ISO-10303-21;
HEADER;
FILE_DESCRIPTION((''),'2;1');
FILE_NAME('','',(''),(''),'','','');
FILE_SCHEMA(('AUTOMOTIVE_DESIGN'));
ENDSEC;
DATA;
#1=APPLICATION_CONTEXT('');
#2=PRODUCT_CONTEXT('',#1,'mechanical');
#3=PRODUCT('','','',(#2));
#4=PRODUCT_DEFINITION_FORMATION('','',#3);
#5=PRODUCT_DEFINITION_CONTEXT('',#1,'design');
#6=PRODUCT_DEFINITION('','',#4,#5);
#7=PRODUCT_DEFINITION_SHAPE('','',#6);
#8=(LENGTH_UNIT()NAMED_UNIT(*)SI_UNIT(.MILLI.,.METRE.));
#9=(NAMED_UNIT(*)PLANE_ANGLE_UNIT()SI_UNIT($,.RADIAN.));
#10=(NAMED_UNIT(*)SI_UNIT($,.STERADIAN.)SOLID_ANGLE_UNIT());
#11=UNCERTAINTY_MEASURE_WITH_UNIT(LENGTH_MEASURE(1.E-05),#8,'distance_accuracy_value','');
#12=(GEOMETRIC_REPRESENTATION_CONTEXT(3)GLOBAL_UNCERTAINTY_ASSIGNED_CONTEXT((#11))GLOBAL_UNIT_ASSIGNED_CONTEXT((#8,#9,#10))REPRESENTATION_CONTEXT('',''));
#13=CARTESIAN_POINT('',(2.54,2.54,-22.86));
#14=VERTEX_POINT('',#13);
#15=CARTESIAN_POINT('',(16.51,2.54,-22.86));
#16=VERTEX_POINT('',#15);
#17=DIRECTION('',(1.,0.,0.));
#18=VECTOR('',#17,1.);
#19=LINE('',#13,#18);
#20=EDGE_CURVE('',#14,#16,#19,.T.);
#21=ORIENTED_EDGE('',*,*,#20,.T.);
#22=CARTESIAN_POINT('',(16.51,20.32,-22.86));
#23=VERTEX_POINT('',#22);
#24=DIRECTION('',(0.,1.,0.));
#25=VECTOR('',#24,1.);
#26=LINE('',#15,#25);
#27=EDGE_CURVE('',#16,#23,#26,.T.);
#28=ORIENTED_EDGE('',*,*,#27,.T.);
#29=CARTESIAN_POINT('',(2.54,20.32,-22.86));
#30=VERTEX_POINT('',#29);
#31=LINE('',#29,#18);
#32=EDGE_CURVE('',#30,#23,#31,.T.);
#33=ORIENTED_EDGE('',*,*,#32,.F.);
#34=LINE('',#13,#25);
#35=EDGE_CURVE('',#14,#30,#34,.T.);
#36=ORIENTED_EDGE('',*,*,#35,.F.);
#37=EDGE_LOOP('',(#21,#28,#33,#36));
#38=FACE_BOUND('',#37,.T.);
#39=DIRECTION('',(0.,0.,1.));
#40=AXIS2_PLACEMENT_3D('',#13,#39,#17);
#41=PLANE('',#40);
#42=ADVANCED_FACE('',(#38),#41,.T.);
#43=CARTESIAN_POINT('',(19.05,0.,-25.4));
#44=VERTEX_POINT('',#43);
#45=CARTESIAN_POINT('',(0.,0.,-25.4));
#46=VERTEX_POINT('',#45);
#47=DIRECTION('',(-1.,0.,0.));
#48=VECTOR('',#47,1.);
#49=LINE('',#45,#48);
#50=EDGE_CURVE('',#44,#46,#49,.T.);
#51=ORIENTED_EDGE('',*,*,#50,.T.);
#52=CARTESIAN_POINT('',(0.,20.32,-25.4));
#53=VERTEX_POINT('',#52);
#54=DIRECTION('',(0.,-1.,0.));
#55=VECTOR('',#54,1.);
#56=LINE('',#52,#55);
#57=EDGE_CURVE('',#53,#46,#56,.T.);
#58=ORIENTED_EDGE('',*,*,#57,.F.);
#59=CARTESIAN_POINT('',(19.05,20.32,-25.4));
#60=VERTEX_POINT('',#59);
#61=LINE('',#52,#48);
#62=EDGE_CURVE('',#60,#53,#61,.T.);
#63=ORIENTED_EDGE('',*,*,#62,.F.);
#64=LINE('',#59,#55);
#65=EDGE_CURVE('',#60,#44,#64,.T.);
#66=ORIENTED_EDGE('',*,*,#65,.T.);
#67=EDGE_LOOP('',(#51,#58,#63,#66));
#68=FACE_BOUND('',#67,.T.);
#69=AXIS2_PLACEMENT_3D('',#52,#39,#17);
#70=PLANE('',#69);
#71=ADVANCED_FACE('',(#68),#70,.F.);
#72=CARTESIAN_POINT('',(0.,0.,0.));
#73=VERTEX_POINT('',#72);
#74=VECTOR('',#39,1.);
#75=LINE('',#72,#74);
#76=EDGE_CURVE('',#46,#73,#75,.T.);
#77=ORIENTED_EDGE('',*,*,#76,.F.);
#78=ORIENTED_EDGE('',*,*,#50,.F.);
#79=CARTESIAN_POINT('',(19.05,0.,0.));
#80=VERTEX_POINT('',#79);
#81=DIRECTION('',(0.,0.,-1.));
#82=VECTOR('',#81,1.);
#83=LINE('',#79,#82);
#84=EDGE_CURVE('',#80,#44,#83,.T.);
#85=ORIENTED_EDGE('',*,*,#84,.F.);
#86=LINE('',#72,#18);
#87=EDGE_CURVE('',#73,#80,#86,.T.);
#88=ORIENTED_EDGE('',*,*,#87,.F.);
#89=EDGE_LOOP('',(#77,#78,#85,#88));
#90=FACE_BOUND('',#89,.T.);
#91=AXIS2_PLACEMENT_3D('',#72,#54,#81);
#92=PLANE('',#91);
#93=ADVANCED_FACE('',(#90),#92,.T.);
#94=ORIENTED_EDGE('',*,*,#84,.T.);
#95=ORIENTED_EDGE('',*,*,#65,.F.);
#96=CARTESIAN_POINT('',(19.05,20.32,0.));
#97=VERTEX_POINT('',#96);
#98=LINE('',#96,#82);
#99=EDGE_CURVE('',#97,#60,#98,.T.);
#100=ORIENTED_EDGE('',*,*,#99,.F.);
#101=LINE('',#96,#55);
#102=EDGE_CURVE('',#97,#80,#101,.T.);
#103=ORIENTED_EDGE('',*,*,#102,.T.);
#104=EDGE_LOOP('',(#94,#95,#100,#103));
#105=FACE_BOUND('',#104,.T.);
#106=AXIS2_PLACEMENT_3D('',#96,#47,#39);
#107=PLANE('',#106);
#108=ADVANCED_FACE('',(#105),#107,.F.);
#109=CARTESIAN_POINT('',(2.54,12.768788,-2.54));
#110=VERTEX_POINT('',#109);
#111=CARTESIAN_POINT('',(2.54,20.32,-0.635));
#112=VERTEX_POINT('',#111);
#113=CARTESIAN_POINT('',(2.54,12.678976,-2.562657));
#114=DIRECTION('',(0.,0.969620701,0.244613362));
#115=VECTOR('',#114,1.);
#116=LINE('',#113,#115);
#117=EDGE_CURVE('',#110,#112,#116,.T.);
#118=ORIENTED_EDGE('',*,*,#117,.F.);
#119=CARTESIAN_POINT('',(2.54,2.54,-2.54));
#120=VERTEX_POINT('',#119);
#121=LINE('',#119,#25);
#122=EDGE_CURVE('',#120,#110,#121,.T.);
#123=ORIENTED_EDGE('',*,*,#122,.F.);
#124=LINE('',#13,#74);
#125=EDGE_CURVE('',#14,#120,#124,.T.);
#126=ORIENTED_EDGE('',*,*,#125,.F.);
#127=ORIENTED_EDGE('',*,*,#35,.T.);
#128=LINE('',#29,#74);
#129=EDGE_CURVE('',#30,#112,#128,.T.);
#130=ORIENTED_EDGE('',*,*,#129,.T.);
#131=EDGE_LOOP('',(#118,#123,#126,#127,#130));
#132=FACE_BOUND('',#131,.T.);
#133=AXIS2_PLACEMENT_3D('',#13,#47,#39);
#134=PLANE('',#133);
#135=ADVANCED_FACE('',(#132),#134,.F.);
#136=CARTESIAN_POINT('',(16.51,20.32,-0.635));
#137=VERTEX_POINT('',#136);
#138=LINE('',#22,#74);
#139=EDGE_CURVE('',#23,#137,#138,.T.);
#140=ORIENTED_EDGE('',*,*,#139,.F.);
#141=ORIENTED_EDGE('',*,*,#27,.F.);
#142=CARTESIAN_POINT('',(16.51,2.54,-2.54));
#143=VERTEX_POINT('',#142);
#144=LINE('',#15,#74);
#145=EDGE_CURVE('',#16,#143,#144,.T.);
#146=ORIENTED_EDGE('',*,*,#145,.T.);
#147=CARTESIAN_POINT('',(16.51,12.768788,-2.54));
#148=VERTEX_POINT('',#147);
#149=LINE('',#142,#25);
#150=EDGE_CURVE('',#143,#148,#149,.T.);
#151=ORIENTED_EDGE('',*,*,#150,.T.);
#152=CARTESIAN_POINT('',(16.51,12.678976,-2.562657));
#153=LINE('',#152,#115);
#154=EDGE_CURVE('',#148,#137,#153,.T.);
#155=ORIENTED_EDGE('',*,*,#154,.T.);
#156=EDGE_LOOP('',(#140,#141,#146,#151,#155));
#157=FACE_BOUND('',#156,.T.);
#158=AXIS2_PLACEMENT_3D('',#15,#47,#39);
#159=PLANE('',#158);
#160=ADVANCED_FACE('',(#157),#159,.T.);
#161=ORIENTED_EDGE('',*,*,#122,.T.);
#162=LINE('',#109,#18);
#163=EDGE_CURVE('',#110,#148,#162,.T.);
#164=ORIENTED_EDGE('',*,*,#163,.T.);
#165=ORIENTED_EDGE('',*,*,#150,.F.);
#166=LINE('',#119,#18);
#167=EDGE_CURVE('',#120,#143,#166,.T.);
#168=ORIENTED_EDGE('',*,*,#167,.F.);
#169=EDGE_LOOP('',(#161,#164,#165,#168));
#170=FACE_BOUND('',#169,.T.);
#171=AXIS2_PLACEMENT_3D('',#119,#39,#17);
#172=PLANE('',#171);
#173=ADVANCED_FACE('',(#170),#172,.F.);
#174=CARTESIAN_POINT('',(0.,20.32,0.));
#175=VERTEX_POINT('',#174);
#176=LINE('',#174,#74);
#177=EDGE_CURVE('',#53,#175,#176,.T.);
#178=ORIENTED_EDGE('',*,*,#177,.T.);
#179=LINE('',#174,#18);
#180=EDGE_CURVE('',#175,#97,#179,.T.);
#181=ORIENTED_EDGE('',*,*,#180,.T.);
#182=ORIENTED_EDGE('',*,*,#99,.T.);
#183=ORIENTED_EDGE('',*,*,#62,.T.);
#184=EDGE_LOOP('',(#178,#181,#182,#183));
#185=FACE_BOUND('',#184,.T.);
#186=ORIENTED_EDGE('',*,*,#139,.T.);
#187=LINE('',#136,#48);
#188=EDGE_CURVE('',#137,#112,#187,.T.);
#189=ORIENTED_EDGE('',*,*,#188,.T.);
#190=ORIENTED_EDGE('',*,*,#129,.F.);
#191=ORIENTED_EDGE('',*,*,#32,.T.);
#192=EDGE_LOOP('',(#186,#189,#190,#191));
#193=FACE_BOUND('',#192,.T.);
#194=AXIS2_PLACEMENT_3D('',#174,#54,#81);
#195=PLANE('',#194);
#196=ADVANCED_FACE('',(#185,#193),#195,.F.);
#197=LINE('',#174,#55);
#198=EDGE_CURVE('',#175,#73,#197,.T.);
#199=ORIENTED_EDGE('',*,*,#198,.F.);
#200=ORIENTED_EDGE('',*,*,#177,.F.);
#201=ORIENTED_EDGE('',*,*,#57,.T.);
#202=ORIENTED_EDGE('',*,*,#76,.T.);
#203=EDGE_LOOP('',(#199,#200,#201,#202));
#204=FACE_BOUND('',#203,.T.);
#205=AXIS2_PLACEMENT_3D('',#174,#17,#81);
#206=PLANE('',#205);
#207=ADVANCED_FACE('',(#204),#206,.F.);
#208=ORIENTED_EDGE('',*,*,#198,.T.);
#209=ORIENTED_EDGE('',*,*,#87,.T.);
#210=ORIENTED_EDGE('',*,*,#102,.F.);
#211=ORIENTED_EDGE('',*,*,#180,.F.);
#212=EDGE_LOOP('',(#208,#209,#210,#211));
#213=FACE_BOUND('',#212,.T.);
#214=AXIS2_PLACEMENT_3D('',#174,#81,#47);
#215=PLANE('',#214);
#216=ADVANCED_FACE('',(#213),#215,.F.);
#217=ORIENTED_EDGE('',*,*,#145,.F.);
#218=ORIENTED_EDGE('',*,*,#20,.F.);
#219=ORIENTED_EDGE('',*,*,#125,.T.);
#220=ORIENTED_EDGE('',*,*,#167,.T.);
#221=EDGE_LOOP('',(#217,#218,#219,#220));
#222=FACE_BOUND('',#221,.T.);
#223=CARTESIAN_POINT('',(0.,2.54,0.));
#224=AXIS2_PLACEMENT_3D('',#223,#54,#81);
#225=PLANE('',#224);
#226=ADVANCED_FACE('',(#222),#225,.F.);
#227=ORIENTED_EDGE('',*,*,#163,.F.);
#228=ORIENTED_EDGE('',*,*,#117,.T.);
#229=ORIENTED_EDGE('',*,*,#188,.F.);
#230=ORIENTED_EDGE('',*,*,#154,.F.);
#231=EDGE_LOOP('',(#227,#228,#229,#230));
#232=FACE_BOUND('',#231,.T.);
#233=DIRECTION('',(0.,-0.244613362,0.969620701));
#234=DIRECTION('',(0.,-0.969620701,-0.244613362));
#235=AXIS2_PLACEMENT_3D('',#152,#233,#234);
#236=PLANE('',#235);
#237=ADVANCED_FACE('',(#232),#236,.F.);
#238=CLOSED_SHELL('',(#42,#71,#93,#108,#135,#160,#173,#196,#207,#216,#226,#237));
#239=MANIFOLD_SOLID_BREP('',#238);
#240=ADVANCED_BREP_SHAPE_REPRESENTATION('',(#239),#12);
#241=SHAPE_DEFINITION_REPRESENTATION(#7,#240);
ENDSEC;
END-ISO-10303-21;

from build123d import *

# Parameters (mm, degrees)
SKETCH3_W           = 19.05
SKETCH3_H           = 25.4
BOSS_EXTRUDE1_DEPTH = 20.32
SKETCH4_W           = 13.97
SKETCH4_H           = 20.32
CUT_EXTRUDE1_DEPTH  = 17.78
CUT_EXTRUDE3_START  = -2.54
CUT_EXTRUDE3_DEPTH  = 13.97


with BuildPart() as part:
    # Sketch3 → Boss-Extrude1 (new body)
    with BuildSketch(Plane(origin=(0, 0, 0), x_dir=(1, 0, 0), z_dir=(0, 1, 0))):
        with Locations((9.525, 12.7)):
            Rectangle(SKETCH3_W, SKETCH3_H)
    extrude(amount=BOSS_EXTRUDE1_DEPTH)

    # Sketch4 → Cut-Extrude1 (cut)
    with BuildSketch(Plane(origin=(0, 20.32, 0), x_dir=(1, 0, 0), z_dir=(0, 1, 0))):
        with Locations((9.525, 12.7)):
            Rectangle(SKETCH4_W, SKETCH4_H)
    extrude(amount=-CUT_EXTRUDE1_DEPTH, mode=Mode.SUBTRACT)

    # Sketch6 → Cut-Extrude3 (cut)
    with BuildSketch(Plane.ZY.offset(CUT_EXTRUDE3_START)):
        Polygon((-2.562657446, 20.32), (-0.635, 20.32), (-2.562657446, 12.678976029), align=None)
    extrude(amount=-CUT_EXTRUDE3_DEPTH, mode=Mode.SUBTRACT)


solid = part.part
